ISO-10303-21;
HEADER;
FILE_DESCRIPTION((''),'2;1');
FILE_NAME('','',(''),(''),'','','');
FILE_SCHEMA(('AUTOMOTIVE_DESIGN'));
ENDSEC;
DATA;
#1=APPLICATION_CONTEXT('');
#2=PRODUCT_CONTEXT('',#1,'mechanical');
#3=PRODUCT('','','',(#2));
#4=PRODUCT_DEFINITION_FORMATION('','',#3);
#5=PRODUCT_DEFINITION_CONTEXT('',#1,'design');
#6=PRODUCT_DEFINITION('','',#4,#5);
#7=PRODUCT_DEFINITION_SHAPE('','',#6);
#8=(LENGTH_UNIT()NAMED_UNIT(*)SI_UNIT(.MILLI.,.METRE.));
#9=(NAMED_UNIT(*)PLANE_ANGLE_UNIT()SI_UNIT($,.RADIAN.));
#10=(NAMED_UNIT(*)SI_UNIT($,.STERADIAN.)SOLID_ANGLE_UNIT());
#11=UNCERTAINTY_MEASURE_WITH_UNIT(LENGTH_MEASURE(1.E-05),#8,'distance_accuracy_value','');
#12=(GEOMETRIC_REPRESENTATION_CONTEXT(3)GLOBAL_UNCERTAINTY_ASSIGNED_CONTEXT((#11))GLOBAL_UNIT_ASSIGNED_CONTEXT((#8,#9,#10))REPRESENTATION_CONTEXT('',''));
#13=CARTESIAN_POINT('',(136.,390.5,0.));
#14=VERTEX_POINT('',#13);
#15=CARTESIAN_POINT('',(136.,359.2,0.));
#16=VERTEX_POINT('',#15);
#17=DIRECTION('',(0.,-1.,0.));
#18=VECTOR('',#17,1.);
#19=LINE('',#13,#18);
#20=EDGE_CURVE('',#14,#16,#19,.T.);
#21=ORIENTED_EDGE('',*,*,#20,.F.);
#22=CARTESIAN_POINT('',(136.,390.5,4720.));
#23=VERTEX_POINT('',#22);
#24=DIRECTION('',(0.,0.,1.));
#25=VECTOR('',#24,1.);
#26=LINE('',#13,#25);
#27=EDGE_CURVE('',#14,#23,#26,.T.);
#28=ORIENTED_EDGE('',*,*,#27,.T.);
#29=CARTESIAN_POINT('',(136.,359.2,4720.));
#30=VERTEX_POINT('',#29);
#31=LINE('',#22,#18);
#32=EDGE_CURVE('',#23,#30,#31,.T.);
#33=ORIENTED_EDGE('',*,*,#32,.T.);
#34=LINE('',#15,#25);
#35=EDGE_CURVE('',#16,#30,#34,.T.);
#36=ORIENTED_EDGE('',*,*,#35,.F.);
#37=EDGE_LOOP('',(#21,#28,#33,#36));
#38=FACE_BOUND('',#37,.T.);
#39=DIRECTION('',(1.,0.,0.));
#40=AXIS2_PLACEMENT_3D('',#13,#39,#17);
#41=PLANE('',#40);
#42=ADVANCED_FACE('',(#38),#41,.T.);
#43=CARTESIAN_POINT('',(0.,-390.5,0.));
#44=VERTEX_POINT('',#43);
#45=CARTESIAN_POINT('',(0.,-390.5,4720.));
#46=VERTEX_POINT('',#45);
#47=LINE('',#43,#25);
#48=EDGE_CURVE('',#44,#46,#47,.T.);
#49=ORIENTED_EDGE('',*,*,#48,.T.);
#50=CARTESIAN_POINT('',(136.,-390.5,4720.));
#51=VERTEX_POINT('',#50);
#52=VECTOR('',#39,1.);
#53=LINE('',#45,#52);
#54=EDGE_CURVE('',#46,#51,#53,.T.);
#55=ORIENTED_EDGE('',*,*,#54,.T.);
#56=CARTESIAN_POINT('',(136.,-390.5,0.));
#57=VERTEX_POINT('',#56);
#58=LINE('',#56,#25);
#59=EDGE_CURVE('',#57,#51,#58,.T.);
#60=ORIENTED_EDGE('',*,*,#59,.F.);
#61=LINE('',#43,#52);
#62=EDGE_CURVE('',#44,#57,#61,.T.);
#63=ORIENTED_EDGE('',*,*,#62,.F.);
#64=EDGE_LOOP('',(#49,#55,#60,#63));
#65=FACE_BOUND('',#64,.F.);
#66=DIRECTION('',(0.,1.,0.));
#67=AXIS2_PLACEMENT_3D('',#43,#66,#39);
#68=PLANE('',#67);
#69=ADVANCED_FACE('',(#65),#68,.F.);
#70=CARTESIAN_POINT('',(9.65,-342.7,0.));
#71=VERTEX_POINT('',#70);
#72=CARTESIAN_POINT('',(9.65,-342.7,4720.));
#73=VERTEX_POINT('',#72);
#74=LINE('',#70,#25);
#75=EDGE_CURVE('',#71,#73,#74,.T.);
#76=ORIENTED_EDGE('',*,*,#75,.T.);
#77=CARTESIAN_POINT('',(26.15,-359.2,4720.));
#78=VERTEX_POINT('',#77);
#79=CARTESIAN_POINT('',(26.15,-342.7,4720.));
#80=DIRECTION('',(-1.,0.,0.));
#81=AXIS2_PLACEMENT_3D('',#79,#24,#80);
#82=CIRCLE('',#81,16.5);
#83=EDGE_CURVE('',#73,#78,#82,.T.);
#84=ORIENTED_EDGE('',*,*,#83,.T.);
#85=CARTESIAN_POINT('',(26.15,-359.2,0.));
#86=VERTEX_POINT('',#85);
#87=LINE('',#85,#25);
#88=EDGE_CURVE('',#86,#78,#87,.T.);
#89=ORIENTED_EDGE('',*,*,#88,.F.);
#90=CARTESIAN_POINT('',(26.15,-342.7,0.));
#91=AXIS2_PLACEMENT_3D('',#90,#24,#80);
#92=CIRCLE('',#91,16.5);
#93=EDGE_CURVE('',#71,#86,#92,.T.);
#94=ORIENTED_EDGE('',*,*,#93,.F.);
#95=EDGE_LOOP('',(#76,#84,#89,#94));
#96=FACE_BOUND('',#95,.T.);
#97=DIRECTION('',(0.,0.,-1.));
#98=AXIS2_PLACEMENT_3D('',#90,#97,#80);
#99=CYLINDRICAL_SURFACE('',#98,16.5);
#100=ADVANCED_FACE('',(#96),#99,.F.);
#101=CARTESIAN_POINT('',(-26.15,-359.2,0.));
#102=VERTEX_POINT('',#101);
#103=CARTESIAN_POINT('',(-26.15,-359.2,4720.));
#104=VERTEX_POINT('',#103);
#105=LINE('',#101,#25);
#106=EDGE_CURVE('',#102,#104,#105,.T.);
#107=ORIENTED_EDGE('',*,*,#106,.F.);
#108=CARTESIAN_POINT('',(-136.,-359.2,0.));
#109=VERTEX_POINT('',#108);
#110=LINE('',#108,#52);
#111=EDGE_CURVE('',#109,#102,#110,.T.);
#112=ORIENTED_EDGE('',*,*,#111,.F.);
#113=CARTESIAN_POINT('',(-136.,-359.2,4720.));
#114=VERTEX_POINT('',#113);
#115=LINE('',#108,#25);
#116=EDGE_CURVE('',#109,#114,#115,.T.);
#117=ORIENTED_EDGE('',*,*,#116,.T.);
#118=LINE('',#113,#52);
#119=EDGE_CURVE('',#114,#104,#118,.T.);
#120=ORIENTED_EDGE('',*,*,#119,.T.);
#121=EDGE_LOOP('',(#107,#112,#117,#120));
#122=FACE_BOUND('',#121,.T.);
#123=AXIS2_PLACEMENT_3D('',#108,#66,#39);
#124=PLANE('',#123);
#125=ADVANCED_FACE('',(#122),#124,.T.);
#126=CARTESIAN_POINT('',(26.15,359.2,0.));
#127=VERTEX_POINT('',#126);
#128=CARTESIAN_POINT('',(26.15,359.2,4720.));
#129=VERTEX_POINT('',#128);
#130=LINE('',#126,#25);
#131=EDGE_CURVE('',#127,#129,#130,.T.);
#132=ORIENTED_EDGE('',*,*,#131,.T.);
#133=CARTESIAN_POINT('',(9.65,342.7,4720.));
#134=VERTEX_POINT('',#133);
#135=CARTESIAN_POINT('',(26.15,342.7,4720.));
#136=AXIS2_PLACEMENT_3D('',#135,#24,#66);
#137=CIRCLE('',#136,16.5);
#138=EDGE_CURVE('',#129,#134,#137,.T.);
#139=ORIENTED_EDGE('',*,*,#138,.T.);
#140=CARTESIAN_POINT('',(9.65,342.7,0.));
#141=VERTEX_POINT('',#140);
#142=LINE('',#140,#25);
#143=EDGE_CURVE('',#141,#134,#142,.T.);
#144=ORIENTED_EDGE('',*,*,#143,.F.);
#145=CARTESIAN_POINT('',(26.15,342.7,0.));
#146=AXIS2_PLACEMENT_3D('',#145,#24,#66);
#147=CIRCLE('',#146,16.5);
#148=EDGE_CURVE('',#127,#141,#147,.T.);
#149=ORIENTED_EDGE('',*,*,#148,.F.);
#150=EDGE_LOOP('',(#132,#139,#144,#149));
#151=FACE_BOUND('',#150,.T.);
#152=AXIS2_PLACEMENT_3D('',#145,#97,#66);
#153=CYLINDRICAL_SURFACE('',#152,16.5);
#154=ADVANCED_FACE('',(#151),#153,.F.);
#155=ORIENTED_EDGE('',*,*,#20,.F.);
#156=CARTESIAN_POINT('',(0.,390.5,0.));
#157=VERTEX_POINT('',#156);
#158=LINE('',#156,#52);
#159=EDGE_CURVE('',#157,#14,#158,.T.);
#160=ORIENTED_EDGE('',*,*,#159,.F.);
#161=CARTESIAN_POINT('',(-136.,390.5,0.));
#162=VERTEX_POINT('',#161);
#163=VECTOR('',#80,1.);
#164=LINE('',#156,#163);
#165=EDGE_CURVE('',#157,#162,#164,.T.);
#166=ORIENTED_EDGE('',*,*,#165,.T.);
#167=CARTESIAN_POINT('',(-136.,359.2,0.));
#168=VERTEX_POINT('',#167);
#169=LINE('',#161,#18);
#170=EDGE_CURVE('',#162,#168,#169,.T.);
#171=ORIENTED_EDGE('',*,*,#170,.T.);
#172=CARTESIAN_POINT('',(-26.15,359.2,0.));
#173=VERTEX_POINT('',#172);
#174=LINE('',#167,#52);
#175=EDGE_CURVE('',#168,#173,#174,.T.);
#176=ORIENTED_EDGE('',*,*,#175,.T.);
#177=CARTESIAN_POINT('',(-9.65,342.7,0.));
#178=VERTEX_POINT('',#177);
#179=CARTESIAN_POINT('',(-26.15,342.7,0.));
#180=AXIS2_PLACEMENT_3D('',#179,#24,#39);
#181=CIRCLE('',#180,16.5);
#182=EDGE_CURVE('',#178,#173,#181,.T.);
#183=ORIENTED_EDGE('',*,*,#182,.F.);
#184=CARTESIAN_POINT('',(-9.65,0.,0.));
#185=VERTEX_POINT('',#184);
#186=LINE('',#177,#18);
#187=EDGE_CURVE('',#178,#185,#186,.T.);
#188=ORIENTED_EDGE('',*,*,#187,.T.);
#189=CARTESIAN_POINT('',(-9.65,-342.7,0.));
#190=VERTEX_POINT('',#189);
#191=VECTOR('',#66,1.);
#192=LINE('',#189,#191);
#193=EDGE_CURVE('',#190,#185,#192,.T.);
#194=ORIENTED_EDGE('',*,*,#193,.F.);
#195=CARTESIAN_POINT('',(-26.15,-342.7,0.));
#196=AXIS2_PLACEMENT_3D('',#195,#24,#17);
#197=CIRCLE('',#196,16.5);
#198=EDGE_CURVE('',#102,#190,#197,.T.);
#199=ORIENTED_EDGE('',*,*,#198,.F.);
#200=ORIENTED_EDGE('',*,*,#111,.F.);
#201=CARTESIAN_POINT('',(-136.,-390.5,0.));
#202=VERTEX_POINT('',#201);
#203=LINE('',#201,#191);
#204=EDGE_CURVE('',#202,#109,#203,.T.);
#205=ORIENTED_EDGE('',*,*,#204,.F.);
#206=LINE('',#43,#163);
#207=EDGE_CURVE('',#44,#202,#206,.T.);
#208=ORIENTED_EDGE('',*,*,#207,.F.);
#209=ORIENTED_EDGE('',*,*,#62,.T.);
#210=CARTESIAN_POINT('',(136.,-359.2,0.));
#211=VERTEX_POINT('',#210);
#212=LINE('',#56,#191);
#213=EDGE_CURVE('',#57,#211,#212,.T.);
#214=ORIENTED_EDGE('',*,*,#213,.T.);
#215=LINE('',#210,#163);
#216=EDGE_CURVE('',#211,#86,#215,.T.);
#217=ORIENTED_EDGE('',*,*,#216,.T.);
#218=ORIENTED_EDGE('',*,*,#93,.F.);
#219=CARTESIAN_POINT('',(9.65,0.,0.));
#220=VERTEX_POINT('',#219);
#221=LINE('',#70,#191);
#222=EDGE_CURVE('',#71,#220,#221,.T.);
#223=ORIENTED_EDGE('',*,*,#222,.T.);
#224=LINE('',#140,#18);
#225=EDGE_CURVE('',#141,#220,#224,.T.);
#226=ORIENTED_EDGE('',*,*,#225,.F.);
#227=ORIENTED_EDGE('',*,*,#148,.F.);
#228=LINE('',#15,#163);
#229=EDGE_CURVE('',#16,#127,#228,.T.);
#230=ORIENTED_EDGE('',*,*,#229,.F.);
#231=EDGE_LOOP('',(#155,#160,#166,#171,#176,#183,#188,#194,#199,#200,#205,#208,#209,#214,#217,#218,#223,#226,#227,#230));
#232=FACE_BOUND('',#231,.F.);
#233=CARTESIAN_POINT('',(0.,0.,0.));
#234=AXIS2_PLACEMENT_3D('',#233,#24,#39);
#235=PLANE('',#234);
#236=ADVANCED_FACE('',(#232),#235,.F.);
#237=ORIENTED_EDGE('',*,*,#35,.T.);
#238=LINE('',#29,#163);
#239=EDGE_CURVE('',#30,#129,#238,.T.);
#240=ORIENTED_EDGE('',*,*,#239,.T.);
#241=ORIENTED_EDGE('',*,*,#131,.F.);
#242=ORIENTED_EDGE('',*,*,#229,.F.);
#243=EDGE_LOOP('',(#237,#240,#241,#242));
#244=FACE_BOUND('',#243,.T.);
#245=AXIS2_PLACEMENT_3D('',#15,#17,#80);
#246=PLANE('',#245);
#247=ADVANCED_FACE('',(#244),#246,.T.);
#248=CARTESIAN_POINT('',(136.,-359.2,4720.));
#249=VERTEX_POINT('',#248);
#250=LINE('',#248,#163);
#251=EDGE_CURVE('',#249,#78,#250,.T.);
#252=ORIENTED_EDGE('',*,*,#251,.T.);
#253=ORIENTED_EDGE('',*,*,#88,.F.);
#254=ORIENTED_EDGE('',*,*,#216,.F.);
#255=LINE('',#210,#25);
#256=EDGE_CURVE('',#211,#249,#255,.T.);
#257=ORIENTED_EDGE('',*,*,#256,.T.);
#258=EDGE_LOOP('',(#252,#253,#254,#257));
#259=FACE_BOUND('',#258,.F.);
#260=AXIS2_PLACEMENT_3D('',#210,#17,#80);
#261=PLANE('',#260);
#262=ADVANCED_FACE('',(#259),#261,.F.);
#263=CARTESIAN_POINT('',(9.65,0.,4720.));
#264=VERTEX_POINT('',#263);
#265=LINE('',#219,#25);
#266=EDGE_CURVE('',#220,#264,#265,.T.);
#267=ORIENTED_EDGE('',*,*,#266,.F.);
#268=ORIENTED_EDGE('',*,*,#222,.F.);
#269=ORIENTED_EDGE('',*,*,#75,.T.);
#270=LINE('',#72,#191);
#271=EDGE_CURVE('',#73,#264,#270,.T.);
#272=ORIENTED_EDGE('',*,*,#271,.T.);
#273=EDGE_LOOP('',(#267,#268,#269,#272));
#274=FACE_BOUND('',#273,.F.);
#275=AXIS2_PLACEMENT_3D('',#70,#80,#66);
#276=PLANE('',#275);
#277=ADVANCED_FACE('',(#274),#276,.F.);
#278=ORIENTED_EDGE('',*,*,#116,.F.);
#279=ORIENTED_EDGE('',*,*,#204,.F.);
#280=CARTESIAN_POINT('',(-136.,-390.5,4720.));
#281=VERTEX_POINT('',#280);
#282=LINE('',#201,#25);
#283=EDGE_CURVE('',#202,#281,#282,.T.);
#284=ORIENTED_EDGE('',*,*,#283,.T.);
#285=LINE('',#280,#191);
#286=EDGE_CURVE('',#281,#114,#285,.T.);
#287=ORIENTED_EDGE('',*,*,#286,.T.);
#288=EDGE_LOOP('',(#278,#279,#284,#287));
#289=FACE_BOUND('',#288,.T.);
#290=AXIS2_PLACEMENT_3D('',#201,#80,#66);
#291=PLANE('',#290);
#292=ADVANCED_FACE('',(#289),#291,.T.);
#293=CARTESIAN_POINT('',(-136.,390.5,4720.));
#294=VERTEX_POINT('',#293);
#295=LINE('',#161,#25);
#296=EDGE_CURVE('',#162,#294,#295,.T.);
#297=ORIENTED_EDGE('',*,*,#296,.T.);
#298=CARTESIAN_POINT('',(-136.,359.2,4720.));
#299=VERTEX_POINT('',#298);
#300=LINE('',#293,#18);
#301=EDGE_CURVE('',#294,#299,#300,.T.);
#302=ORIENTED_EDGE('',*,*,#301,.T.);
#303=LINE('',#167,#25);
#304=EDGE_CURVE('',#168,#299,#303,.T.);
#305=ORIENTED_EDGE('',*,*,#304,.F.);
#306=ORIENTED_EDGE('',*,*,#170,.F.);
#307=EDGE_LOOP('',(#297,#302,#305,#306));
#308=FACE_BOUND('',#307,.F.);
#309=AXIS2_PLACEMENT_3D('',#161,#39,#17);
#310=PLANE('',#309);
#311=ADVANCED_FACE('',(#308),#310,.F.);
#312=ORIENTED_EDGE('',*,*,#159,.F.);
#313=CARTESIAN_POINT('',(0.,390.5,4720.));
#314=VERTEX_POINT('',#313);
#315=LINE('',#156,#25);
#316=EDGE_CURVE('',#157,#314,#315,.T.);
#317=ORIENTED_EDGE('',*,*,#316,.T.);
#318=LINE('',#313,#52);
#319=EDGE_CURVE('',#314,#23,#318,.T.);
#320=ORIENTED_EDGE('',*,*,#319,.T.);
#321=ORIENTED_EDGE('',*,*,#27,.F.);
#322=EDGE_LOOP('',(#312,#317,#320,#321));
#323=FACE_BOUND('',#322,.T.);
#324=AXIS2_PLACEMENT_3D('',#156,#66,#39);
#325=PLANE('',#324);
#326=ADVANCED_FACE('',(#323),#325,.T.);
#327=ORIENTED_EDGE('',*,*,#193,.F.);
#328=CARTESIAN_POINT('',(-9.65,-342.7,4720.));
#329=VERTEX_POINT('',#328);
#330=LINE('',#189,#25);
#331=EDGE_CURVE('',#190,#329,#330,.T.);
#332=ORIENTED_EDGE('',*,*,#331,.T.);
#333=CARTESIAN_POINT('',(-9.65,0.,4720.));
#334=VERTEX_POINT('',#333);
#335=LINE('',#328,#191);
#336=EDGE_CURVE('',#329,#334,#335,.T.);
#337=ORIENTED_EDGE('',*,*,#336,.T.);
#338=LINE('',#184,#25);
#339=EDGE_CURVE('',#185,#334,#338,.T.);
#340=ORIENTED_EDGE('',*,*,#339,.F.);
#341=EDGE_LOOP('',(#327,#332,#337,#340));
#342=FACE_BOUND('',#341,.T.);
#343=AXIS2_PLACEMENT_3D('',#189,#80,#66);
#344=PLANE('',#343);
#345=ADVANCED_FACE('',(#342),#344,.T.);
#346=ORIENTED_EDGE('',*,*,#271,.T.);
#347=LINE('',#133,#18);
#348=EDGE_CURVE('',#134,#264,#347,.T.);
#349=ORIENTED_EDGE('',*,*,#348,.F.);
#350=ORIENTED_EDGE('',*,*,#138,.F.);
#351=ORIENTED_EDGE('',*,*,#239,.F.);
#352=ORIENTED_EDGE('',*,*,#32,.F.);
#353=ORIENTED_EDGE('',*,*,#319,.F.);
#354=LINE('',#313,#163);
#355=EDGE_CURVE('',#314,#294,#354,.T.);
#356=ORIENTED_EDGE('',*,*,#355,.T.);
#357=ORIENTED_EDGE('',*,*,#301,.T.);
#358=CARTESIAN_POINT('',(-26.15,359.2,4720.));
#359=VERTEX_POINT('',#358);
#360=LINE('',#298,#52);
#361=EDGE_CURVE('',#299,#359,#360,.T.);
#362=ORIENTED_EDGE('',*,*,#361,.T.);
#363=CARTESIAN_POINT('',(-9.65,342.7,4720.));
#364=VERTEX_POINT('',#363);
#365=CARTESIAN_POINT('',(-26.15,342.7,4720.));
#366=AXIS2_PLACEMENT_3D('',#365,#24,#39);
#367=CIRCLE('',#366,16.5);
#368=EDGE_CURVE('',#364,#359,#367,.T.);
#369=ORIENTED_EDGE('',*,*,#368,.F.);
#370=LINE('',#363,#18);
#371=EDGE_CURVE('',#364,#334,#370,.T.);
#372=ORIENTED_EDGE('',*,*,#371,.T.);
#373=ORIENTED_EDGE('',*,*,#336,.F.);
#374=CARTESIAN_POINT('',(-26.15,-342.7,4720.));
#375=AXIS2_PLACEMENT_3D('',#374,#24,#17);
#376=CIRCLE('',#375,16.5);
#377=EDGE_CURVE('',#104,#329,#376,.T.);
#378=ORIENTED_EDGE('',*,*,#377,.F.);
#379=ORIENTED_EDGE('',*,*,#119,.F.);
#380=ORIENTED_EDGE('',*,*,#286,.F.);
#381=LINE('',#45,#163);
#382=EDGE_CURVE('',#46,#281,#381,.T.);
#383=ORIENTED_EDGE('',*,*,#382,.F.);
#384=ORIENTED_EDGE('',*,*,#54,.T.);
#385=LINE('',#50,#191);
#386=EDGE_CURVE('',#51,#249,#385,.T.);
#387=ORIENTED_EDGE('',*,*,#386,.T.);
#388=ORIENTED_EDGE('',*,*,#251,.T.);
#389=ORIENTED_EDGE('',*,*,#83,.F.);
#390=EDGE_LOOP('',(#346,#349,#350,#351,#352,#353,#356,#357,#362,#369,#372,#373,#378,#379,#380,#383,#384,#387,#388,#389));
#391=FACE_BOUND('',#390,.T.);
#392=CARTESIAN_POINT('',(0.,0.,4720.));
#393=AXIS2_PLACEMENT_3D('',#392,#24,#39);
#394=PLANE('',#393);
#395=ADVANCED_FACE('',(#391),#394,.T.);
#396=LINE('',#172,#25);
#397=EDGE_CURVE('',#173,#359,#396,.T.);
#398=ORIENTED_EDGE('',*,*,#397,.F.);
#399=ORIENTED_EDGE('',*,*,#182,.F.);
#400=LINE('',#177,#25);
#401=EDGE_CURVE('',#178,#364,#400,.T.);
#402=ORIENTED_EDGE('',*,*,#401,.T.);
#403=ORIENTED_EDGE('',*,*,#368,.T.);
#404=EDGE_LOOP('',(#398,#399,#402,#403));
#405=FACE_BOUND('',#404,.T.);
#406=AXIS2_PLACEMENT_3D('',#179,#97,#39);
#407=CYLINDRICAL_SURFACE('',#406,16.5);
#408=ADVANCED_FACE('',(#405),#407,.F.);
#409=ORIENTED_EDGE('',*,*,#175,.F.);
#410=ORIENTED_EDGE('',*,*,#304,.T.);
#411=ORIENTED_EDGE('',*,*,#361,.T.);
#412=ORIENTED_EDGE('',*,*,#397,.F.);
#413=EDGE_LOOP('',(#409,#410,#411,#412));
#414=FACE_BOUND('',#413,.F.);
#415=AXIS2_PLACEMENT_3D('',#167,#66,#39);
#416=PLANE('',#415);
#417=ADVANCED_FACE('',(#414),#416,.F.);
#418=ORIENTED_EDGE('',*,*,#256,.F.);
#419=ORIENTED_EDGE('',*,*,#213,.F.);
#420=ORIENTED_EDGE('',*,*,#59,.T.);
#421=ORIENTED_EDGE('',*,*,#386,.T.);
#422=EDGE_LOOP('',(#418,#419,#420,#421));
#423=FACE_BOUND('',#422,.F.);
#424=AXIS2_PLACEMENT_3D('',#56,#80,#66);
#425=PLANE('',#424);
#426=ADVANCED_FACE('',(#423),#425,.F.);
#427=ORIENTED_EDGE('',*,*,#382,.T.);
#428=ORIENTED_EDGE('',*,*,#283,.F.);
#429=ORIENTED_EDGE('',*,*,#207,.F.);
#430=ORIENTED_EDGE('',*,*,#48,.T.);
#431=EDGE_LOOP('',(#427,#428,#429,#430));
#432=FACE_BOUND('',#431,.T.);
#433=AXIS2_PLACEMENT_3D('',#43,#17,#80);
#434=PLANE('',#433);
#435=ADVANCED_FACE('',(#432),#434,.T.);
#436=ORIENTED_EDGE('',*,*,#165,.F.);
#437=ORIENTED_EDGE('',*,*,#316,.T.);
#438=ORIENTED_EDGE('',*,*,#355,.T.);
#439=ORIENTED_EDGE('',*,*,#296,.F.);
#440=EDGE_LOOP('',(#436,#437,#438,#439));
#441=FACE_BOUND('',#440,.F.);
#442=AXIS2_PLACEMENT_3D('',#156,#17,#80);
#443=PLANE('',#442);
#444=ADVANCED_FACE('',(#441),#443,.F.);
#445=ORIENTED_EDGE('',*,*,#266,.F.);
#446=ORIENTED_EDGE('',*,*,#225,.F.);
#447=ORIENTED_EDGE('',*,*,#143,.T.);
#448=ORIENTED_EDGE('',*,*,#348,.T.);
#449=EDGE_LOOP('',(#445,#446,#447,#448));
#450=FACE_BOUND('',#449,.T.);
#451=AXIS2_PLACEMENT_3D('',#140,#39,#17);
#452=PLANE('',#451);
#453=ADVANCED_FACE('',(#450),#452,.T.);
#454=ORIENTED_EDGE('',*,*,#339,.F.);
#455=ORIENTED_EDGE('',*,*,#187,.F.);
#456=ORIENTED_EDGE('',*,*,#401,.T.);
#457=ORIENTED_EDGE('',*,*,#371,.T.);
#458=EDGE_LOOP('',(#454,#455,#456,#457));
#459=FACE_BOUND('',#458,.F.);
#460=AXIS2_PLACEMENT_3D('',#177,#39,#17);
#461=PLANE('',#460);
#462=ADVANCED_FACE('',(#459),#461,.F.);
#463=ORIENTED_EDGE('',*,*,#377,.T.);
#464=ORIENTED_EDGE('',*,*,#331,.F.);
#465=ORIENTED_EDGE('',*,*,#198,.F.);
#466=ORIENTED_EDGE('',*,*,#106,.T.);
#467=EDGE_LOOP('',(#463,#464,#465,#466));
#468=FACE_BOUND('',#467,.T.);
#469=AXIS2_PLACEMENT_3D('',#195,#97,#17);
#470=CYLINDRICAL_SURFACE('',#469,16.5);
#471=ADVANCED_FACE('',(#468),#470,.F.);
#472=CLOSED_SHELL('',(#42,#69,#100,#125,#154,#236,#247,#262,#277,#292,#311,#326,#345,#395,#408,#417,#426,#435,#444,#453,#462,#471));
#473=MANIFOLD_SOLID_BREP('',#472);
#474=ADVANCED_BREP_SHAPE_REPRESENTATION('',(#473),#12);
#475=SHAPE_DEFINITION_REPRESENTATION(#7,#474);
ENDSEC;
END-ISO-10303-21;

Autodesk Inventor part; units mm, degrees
ref_plane "YZ Plane" through (0, 0, 0) normal (1, 0, 0) x (0, 1, 0)
ref_plane "Start plane" through (0, 0, 0) normal (0, 0, 1) x (1, 0, 0)
ref_plane "End plane" through (0, 0, 4720) normal (0, 0, 1) x (1, 0, 0)
sketch "Sketch" plane through (0, 0, 0) normal (0, 0, 1) x (1, 0, 0)
  line L0 (-136, -390.5) -> (-136, -359.2)
  line L1 (-136, -359.2) -> (-26.15, -359.2)
  line L2 (-9.65, -342.7) -> (-9.65, 0)
  line L3 (-9.65, 0) -> (0, 0) construction
  line L4 (0, 0) -> (0, -390.5) construction
  line L5 (0, -390.5) -> (-136, -390.5)
  line L6 (-60, 0) -> (80, 0) construction
  line L7 (0, -60) -> (0, 80) construction
  line L8 (136, -390.5) -> (136, -359.2)
  line L9 (136, -359.2) -> (26.15, -359.2)
  line L10 (9.65, -342.7) -> (9.65, 0)
  line L11 (9.65, 0) -> (0, 0) construction
  line L12 (0, -390.5) -> (136, -390.5)
  line L13 (-136, 390.5) -> (-136, 359.2)
  line L14 (-136, 359.2) -> (-26.15, 359.2)
  line L15 (-9.65, 342.7) -> (-9.65, 0)
  line L16 (0, 390.5) -> (-136, 390.5)
  line L17 (136, 390.5) -> (136, 359.2)
  line L18 (136, 359.2) -> (26.15, 359.2)
  line L19 (0, 390.5) -> (136, 390.5)
  line L20 (9.65, 342.7) -> (9.65, 0)
  arc A0 (-9.65, 342.7) -> (-26.15, 359.2) centre (-26.15, 342.7) ccw
  arc A1 (26.15, 359.2) -> (9.65, 342.7) centre (26.15, 342.7) ccw
  arc A2 (9.65, -342.7) -> (26.15, -359.2) centre (26.15, -342.7) ccw
  arc A3 (-26.15, -359.2) -> (-9.65, -342.7) centre (-26.15, -342.7) ccw
  line L21 (0, 108) -> (0, -88) construction
  line L22 (-88, 0) -> (108, 0) construction
  point P0 (-9.65, -359.2)
  point P1 (9.65, -359.2)
  point P2 (-9.65, 359.2)
  point P3 (9.65, 359.2)
  dimension "d1" = 390.5
  dimension "d2" = 31.3
  dimension "d3" = 136
  dimension "d4" = 9.65
  dimension "d10" = 16.5
extrude "Body" add sketch "Sketch" along normal up to surface (4720 mm away) from surface at 0
sketch "Sketch4" plane through (0, 0, 0) normal (0, 0, 1) x (1, 0, 0)
  line L0 (0, 0) -> (10, 0)
ref_plane "Work Plane3" through (0, 0, 0) normal (0, -1, 0) x (1, 0, 0)
sketch "Sketch5" plane through (0, 0, 0) normal (0, -1, 0) x (1, 0, 0)
  line L0 (-2, 0) -> (12, 0) projected
  line L1 (-2, 4720) -> (12, 4720) projected
  dimension "d14" = 4720
equation "\"d1\" = 0.5 * G_H"
equation "\"d2\" = G_T1"
equation "\"d3\" = 0.5 * G_W"
equation "\"d4\" = 0.5 * G_T"
equation "\"d10\" = G_IR"
equation "\"d5\" = G_L"
equation "\"G_W\" = 272"
equation "\"G_H\" = 781"
equation "\"G_T\" = 19.3"
equation "\"G_T1\" = 31.3"
equation "\"G_IR\" = 16.5"
equation "\"G_L\" = d14"
equation "\"G_OFFSET_START\" = 0"
equation "\"G_OFFSET_END\" = 0"
properties part number "AS 3679-1990 - 760 UB - 244 - 4720" material "Steel, Mild"
